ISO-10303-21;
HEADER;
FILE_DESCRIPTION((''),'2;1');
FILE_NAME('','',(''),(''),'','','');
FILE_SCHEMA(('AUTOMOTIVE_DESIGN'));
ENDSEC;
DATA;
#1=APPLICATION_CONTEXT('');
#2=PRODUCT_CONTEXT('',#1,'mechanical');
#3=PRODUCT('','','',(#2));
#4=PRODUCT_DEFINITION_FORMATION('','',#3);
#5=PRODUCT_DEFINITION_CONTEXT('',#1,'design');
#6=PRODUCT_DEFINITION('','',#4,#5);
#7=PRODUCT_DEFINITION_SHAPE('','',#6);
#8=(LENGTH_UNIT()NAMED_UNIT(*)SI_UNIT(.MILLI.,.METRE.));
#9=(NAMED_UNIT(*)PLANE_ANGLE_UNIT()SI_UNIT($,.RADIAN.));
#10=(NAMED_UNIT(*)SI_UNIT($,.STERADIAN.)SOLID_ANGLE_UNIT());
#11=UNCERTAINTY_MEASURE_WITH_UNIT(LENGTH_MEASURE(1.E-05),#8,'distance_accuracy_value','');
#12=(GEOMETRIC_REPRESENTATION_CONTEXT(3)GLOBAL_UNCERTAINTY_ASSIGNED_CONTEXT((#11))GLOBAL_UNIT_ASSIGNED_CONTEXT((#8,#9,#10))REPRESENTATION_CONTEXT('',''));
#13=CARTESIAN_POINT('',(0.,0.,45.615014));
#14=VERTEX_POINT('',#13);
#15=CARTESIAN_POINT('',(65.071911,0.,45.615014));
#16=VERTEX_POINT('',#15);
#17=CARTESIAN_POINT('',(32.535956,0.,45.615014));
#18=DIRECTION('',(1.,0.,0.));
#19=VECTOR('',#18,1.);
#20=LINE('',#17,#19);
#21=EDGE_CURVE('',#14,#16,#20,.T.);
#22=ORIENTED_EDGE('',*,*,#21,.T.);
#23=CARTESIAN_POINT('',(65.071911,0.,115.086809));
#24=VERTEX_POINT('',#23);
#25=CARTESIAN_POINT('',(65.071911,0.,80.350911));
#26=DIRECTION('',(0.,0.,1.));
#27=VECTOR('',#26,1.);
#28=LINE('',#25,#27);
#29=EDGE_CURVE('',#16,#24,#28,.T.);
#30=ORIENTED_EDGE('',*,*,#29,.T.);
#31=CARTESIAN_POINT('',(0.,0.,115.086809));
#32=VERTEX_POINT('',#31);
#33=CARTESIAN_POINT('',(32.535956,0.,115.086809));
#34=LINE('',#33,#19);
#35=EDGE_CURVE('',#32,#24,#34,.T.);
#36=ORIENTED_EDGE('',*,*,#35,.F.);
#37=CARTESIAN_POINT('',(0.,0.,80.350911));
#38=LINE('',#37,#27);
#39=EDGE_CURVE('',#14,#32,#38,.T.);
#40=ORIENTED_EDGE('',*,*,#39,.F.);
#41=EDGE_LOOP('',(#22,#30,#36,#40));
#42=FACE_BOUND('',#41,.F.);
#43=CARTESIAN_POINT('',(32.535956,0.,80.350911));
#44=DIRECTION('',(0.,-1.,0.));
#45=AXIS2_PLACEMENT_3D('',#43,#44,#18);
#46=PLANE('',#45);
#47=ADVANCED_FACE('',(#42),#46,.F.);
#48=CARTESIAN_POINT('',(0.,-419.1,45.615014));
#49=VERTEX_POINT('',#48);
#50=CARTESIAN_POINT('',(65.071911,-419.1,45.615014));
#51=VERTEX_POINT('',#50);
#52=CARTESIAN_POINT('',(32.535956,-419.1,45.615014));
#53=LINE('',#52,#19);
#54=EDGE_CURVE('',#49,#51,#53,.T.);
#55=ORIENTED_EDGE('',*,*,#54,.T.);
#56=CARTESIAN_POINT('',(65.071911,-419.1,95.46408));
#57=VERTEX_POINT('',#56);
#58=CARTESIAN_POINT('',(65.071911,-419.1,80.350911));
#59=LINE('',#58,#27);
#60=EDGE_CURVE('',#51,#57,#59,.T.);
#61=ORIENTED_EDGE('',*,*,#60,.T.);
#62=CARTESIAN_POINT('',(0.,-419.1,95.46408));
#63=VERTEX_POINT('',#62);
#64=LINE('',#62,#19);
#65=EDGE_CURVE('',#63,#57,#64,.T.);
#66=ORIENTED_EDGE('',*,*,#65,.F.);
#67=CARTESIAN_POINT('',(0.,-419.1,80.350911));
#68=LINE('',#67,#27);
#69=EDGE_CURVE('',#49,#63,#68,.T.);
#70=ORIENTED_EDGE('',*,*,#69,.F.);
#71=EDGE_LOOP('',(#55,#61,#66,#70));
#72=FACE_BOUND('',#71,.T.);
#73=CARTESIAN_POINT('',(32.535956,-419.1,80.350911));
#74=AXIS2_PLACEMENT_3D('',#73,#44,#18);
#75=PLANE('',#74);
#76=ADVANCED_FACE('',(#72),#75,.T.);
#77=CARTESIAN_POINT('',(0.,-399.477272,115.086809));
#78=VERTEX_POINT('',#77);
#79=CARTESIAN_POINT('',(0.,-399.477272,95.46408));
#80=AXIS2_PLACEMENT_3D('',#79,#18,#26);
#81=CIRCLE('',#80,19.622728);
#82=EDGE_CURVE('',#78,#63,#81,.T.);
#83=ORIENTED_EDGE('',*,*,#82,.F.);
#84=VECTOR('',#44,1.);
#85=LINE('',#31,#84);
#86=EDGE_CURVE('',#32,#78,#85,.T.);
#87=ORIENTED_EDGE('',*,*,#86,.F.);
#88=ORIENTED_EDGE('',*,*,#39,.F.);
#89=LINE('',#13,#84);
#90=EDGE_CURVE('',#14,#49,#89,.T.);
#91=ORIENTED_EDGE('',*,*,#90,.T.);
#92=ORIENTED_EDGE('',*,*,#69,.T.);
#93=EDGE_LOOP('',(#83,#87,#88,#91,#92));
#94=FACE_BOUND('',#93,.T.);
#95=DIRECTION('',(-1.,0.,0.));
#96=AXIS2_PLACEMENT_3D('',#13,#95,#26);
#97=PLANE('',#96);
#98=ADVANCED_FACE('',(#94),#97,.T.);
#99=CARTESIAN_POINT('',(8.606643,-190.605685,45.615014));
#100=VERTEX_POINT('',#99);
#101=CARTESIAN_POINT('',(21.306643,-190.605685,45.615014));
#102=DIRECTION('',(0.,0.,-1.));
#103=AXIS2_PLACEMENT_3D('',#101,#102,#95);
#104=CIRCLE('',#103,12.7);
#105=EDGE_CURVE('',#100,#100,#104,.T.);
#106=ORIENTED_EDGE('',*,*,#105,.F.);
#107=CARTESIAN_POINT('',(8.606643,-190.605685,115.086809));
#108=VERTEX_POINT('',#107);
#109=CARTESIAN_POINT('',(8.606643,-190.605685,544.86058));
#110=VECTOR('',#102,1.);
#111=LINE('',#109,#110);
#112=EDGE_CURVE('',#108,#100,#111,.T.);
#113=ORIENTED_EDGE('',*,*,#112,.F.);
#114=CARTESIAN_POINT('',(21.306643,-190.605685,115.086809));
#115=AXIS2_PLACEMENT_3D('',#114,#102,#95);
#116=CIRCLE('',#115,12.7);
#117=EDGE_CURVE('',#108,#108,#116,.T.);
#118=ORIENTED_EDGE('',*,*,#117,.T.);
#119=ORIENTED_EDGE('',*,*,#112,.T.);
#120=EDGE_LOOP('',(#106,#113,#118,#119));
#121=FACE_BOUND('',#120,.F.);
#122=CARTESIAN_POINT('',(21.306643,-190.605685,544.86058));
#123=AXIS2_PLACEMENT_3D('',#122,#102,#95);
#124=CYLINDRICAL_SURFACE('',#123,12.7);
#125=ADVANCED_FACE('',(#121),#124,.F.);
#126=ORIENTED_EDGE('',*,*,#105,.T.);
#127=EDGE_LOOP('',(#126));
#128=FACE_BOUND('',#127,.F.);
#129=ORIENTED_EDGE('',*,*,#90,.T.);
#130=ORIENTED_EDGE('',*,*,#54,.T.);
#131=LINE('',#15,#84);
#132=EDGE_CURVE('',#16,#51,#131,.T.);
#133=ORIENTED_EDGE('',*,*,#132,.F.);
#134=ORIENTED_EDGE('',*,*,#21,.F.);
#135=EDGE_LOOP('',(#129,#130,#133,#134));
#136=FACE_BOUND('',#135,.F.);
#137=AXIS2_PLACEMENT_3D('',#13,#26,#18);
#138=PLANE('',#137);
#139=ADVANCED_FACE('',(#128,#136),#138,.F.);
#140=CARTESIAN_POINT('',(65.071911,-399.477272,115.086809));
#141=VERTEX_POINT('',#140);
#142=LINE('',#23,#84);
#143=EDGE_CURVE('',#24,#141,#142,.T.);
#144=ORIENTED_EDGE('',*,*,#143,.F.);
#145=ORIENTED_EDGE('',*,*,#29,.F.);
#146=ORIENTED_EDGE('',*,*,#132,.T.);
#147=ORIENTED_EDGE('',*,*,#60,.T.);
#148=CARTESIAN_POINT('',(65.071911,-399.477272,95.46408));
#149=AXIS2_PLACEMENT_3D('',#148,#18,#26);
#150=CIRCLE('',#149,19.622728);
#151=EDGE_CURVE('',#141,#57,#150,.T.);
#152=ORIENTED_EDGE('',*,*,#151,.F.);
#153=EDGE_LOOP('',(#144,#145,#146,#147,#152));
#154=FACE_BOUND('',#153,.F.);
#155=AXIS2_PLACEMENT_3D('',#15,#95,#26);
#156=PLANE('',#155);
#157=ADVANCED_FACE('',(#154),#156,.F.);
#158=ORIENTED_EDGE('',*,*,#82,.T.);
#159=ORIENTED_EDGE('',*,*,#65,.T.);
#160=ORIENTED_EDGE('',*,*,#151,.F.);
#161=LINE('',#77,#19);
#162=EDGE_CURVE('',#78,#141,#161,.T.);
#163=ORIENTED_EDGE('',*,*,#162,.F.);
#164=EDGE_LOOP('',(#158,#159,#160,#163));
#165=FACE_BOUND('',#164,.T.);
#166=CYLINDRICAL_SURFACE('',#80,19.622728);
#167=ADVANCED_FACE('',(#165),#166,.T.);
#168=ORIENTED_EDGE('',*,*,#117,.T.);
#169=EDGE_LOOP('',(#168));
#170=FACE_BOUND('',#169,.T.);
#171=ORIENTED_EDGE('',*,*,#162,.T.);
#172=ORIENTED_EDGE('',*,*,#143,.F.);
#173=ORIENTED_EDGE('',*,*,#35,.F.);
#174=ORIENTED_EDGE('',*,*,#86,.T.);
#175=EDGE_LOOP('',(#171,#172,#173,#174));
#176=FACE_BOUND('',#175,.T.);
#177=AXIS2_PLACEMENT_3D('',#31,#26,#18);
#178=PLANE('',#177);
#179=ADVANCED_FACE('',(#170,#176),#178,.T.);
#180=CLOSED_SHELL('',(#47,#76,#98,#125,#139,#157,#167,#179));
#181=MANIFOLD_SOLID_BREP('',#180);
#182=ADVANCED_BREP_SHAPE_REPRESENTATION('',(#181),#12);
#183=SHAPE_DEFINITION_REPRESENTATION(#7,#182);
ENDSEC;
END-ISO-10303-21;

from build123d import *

# Parameters (mm, degrees)
F0_W     = 65.071911
F0_H     = 69.471795
F1_DEPTH = 419.1
F2_R     = 19.622728
F4_D     = 25.4


with BuildPart() as f1:
    # F0 (on Front) → F1 (new body)
    with BuildSketch(Plane.XZ):
        with Locations((32.535956, 80.350911)):
            Rectangle(F0_W, F0_H)
    extrude(amount=F1_DEPTH)

    # F2
    f2_edges = [f1.edges().sort_by_distance(p)[0] for p in [
        (32.535955, -419.1, 115.086809),
    ]]
    fillet(f2_edges, radius=F2_R)

    # F4 (through all)
    with Locations(Plane.XY.offset(115.086809)):
        with Locations((21.306643, -190.605685)):
            Hole(F4_D / 2)


solid = f1.part
